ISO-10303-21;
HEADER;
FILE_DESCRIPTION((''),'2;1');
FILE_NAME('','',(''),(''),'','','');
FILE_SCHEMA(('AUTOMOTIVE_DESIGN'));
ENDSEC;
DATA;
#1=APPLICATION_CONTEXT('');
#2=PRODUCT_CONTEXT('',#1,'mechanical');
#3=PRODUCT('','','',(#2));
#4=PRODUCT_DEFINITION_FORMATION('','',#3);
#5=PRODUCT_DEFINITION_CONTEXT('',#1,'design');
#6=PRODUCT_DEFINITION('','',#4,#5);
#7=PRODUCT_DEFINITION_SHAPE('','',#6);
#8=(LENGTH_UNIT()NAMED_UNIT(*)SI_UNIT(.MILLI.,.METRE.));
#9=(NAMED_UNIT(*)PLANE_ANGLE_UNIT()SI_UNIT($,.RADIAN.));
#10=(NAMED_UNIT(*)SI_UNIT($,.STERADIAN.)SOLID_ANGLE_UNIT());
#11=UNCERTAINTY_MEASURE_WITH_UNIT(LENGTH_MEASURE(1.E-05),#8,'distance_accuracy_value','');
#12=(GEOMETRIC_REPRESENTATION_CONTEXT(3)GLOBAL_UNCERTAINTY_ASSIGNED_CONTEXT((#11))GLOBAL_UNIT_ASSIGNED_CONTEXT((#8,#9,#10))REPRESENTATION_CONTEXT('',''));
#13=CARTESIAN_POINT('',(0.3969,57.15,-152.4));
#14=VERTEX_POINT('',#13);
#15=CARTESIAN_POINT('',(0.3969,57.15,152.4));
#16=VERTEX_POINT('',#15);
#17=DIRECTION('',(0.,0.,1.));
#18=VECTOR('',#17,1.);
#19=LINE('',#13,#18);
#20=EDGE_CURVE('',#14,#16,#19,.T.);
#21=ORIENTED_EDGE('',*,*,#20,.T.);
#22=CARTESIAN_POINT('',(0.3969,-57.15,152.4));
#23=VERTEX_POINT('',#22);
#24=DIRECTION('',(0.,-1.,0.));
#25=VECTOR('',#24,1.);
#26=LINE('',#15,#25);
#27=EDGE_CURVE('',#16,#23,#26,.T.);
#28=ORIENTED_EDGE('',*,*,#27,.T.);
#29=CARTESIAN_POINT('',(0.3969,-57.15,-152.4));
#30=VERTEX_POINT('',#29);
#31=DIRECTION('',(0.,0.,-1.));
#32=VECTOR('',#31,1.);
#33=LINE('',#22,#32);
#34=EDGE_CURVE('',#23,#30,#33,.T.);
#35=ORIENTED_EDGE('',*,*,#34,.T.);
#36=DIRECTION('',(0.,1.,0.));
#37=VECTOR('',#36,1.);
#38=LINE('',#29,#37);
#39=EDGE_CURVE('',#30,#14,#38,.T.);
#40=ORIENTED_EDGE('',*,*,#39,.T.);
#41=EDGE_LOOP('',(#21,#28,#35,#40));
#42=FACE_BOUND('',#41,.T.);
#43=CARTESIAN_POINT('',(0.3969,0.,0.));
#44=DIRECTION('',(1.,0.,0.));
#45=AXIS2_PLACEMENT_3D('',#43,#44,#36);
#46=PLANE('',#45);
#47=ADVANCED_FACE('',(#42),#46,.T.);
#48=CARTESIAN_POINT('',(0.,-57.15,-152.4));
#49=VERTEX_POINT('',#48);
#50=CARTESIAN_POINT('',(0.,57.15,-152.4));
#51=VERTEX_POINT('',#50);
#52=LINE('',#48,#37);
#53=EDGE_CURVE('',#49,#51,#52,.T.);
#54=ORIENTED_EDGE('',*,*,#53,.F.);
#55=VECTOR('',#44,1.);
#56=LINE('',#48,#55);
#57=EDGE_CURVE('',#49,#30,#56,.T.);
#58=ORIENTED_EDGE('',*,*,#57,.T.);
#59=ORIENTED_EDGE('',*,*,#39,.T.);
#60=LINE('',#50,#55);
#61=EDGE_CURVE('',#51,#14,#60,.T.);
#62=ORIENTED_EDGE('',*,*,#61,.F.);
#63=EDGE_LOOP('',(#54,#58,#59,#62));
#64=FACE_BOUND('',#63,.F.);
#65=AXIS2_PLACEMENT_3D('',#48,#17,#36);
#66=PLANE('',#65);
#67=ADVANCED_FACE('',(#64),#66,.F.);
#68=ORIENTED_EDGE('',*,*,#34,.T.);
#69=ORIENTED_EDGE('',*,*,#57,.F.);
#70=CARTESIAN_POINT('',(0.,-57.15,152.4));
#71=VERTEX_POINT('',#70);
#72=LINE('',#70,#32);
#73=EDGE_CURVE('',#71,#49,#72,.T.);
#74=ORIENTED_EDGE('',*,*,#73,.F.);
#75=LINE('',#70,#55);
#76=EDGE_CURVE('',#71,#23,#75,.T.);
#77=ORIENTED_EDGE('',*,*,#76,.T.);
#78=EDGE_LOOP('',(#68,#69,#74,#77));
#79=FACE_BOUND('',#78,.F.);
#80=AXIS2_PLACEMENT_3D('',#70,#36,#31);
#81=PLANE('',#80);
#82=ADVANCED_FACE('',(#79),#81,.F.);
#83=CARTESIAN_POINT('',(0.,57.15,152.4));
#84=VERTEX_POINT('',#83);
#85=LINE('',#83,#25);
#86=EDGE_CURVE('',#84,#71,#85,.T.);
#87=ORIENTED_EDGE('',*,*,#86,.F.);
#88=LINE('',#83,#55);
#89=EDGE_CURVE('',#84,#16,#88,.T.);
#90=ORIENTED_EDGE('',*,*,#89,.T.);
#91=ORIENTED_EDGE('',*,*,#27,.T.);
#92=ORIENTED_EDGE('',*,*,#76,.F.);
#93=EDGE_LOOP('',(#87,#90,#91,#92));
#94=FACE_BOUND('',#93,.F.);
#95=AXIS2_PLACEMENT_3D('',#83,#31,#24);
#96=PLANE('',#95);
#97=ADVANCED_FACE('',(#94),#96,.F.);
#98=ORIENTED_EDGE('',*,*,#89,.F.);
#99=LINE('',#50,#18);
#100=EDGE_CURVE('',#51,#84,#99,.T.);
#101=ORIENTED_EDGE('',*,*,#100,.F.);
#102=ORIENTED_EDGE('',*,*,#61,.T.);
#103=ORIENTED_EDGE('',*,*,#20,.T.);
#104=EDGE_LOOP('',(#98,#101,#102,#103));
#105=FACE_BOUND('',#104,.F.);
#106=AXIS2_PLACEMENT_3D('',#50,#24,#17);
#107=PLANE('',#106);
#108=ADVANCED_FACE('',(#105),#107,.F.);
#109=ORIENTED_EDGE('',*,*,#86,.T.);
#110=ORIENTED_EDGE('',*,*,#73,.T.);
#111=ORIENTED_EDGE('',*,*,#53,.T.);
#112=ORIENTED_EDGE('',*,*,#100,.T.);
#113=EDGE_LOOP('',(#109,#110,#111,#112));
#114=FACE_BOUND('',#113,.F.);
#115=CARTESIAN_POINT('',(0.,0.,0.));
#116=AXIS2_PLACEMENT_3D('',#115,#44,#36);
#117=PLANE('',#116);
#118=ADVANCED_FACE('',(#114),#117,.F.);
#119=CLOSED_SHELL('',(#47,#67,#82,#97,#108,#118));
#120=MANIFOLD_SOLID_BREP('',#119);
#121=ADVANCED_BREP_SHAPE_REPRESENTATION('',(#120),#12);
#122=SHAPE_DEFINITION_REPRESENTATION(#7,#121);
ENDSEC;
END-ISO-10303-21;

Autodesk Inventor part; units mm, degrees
ref_plane "YZ Plane" through (0, 0, 0) normal (1, 0, 0) x (0, 1, 0)
ref_plane "XZ Plane" through (0, 0, 0) normal (0, 1, 0) x (-1, 0, 0)
ref_plane "XY Plane" through (0, 0, 0) normal (0, 0, 1) x (1, 0, 0)
sketch "Sketch1" plane through (0, 0, 0) normal (1, 0, 0) x (0, 1, 0)
  line L0 (57.15, 152.4) -> (-57.15, 152.4)
  line L1 (-57.15, 152.4) -> (-57.15, -152.4)
  line L2 (-57.15, -152.4) -> (57.15, -152.4)
  line L3 (57.15, -152.4) -> (57.15, 152.4)
  line L4 (57.15, 152.4) -> (-57.15, -152.4) construction
  line L5 (-57.15, 152.4) -> (57.15, -152.4) construction
  point P0 (0, 0)
  dimension "d0" = 114.3
  dimension "d1" = 304.8
extrude "Extrusion1" add sketch "Sketch1" along normal blind 0.3969
properties part number "Opening flap_Side2Side Motion"
